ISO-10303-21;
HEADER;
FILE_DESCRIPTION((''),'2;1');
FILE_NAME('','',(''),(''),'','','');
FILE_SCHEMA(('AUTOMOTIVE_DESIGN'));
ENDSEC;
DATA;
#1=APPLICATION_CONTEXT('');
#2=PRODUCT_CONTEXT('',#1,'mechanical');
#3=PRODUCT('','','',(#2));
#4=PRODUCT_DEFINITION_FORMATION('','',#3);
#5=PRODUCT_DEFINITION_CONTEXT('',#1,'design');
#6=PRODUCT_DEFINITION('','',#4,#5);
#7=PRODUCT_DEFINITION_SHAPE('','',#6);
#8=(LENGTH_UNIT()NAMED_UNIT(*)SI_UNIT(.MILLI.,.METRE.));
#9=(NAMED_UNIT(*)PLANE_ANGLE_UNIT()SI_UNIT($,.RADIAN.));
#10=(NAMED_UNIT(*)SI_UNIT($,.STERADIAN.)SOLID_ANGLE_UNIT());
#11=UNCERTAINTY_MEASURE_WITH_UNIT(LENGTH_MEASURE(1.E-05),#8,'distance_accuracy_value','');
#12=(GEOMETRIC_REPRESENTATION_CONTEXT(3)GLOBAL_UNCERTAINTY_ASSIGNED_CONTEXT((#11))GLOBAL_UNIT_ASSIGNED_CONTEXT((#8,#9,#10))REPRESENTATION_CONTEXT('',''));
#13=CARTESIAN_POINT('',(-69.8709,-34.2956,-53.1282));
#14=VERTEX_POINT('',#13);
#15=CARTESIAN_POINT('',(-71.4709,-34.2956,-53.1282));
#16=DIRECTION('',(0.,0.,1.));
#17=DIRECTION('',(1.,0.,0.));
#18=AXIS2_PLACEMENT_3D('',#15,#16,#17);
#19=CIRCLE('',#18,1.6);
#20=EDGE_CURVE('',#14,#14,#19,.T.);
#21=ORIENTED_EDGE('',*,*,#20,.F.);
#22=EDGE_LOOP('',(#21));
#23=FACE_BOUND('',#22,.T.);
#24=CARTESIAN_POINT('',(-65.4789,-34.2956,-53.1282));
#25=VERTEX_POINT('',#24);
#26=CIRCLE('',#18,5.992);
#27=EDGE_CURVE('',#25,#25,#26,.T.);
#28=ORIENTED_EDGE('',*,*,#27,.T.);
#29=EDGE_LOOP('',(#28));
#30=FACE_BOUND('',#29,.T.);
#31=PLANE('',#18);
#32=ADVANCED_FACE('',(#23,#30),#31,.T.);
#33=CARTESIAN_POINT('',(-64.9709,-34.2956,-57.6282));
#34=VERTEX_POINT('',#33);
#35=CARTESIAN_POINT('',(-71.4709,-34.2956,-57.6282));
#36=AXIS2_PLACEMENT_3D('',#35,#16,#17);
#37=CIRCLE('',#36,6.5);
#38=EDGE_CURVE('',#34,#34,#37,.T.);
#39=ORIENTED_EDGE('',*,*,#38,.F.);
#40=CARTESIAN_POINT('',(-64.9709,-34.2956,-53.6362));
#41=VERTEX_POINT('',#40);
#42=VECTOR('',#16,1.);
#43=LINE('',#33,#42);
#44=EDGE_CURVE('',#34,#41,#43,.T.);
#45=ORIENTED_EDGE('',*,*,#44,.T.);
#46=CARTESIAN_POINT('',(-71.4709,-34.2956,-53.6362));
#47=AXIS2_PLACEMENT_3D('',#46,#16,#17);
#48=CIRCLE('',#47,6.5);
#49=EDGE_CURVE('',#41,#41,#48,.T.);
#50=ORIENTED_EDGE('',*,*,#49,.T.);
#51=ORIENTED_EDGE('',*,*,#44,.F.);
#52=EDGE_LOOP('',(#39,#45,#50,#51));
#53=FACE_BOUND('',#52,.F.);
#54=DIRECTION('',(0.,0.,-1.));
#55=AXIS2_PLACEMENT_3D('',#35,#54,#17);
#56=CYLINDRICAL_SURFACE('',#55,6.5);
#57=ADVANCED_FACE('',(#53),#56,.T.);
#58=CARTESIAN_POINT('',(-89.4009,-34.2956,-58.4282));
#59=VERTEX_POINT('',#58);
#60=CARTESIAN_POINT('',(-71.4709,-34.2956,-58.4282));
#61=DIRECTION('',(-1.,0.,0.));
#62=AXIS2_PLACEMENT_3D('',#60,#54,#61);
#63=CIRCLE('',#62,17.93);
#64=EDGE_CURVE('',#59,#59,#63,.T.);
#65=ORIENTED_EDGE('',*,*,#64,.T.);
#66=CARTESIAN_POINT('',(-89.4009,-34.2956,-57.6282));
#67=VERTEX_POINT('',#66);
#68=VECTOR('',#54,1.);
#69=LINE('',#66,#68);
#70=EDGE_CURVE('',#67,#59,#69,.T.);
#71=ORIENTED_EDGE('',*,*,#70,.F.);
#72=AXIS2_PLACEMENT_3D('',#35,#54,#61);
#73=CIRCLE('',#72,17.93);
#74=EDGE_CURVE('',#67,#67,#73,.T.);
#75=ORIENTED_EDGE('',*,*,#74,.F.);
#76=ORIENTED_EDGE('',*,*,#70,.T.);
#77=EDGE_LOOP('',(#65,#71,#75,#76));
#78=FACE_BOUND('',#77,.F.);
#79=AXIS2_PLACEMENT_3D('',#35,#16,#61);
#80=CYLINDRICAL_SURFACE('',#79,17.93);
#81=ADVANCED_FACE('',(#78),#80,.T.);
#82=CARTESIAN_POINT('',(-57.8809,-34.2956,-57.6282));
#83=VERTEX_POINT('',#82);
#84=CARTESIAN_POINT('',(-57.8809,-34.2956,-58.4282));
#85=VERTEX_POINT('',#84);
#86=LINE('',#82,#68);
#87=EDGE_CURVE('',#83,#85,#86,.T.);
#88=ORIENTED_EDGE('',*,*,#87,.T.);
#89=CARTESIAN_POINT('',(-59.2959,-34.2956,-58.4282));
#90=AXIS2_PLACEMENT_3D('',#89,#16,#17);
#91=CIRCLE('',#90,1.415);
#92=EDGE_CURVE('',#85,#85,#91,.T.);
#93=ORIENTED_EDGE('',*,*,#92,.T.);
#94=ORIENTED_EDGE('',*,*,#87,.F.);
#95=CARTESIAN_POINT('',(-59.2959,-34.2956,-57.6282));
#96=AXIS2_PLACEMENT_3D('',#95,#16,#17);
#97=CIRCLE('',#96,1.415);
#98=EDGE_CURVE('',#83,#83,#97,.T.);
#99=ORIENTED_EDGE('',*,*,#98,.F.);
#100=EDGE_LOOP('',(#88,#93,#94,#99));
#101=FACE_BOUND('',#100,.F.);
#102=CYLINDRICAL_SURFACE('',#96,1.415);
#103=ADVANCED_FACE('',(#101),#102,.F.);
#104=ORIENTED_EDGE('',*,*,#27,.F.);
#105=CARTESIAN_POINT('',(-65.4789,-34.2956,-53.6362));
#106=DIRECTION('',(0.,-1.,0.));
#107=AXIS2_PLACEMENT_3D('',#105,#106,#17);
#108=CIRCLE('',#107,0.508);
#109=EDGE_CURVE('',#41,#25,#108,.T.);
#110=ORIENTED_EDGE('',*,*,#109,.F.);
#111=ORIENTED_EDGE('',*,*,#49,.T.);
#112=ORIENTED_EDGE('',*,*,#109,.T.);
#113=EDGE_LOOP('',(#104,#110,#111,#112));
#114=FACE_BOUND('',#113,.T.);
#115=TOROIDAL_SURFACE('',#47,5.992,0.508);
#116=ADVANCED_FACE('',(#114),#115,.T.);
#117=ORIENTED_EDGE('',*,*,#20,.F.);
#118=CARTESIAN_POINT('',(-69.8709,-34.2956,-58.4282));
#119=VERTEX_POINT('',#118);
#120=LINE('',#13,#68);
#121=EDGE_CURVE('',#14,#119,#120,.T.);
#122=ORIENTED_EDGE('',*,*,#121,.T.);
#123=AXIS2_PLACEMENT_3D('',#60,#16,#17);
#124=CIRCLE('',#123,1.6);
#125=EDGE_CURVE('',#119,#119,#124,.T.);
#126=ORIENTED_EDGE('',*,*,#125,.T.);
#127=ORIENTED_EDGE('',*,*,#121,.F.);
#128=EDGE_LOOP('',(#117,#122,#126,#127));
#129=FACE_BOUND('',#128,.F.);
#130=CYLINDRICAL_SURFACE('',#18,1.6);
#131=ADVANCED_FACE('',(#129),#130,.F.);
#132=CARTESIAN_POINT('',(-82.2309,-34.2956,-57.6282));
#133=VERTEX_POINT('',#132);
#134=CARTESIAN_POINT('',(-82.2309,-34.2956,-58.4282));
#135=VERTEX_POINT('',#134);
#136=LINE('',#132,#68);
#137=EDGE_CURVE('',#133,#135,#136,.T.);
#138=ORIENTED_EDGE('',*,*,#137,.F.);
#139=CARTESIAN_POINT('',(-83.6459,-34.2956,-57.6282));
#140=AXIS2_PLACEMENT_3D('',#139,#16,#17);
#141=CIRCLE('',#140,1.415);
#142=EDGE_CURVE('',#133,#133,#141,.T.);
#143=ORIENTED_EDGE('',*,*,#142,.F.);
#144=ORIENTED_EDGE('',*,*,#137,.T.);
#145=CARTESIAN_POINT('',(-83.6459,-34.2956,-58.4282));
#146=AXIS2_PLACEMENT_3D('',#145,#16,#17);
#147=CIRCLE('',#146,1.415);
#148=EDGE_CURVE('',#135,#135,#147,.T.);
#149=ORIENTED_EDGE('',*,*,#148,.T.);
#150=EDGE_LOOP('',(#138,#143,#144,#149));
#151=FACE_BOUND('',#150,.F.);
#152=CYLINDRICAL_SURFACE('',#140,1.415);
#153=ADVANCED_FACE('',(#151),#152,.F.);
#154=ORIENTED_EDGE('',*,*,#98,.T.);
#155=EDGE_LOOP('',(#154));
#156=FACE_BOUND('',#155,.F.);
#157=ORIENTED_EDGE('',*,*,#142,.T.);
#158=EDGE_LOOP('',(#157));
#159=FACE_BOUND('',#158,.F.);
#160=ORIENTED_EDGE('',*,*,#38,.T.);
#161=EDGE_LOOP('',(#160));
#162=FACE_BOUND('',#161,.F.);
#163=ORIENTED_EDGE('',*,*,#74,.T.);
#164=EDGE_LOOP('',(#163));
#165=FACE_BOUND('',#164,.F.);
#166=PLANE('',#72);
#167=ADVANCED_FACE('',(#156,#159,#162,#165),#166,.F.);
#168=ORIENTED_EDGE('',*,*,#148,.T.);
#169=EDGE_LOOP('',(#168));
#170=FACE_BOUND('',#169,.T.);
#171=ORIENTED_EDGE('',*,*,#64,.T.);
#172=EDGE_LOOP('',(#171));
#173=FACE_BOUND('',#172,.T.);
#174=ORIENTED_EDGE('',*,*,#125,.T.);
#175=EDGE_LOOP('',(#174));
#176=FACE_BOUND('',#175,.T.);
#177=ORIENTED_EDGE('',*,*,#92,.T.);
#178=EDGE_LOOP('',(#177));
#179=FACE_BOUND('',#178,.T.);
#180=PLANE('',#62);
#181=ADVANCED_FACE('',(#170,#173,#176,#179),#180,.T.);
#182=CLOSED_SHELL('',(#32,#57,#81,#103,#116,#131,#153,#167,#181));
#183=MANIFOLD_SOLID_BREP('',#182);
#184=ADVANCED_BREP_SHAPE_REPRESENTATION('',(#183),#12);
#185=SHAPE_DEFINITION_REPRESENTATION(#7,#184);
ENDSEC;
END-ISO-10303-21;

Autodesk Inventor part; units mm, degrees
ref_plane "YZ Plane" through (0, 0, 0) normal (1, 0, 0) x (0, 1, 0)
ref_plane "XY Plane" through (0, 0, 0) normal (0, 0, 1) x (1, 0, 0)
ref_plane "Work Plane1" through (-71.4709, -34.2956, -57.6282) normal (0, 0, -1) x (-1, 0, 0)
sketch "Sketch1" plane through (-71.4709, -34.2956, -57.6282) normal (0, 0, -1) x (-1, 0, 0)
  circle A0 centre (0, 0) radius 17.93 projected
  point P0 (-71.4709, 34.2956)
extrude "Extrusion1" add sketch "Sketch1" along normal blind 0.8
sketch "Sketch2" plane through (-71.4709, -34.2956, -57.6282) normal (0, 0, 1) x (1, 0, 0)
  circle A0 centre (0, 0) radius 12.175 construction
  circle A1 centre (12.175, 0) radius 1.415
  circle A2 centre (-12.175, 0) radius 1.415
  point P0 (71.4709, 34.2956)
  dimension "d2" = 24.35
  dimension "d3" = 2.83
  dimension "d4" = 2.83
extrude "Extrusion2" cut sketch "Sketch2" against normal blind 0.8
sketch "Sketch3" plane through (-71.4709, -34.2956, -57.6282) normal (0, 0, 1) x (1, 0, 0)
  circle A0 centre (0, 0) radius 6.5
  point P0 (71.4709, 34.2956)
  dimension "d7" = 13
extrude "Extrusion3" add sketch "Sketch3" along normal blind 4.5
fillet "Fillet1" radius 0.508 1 edges at (-77.9709, -34.2956, -53.1282)
sketch "Sketch4" plane through (-71.4709, -34.2956, -53.1282) normal (0, 0, 1) x (1, 0, 0)
  circle A0 centre (0, 0) radius 1.6
  point P0 (71.4709, 34.2956)
  dimension "d11" = 3.2
extrude "Extrusion4" cut sketch "Sketch4" against normal blind 19.2875
properties part number "capot_inf" material "Iron, Cast"
